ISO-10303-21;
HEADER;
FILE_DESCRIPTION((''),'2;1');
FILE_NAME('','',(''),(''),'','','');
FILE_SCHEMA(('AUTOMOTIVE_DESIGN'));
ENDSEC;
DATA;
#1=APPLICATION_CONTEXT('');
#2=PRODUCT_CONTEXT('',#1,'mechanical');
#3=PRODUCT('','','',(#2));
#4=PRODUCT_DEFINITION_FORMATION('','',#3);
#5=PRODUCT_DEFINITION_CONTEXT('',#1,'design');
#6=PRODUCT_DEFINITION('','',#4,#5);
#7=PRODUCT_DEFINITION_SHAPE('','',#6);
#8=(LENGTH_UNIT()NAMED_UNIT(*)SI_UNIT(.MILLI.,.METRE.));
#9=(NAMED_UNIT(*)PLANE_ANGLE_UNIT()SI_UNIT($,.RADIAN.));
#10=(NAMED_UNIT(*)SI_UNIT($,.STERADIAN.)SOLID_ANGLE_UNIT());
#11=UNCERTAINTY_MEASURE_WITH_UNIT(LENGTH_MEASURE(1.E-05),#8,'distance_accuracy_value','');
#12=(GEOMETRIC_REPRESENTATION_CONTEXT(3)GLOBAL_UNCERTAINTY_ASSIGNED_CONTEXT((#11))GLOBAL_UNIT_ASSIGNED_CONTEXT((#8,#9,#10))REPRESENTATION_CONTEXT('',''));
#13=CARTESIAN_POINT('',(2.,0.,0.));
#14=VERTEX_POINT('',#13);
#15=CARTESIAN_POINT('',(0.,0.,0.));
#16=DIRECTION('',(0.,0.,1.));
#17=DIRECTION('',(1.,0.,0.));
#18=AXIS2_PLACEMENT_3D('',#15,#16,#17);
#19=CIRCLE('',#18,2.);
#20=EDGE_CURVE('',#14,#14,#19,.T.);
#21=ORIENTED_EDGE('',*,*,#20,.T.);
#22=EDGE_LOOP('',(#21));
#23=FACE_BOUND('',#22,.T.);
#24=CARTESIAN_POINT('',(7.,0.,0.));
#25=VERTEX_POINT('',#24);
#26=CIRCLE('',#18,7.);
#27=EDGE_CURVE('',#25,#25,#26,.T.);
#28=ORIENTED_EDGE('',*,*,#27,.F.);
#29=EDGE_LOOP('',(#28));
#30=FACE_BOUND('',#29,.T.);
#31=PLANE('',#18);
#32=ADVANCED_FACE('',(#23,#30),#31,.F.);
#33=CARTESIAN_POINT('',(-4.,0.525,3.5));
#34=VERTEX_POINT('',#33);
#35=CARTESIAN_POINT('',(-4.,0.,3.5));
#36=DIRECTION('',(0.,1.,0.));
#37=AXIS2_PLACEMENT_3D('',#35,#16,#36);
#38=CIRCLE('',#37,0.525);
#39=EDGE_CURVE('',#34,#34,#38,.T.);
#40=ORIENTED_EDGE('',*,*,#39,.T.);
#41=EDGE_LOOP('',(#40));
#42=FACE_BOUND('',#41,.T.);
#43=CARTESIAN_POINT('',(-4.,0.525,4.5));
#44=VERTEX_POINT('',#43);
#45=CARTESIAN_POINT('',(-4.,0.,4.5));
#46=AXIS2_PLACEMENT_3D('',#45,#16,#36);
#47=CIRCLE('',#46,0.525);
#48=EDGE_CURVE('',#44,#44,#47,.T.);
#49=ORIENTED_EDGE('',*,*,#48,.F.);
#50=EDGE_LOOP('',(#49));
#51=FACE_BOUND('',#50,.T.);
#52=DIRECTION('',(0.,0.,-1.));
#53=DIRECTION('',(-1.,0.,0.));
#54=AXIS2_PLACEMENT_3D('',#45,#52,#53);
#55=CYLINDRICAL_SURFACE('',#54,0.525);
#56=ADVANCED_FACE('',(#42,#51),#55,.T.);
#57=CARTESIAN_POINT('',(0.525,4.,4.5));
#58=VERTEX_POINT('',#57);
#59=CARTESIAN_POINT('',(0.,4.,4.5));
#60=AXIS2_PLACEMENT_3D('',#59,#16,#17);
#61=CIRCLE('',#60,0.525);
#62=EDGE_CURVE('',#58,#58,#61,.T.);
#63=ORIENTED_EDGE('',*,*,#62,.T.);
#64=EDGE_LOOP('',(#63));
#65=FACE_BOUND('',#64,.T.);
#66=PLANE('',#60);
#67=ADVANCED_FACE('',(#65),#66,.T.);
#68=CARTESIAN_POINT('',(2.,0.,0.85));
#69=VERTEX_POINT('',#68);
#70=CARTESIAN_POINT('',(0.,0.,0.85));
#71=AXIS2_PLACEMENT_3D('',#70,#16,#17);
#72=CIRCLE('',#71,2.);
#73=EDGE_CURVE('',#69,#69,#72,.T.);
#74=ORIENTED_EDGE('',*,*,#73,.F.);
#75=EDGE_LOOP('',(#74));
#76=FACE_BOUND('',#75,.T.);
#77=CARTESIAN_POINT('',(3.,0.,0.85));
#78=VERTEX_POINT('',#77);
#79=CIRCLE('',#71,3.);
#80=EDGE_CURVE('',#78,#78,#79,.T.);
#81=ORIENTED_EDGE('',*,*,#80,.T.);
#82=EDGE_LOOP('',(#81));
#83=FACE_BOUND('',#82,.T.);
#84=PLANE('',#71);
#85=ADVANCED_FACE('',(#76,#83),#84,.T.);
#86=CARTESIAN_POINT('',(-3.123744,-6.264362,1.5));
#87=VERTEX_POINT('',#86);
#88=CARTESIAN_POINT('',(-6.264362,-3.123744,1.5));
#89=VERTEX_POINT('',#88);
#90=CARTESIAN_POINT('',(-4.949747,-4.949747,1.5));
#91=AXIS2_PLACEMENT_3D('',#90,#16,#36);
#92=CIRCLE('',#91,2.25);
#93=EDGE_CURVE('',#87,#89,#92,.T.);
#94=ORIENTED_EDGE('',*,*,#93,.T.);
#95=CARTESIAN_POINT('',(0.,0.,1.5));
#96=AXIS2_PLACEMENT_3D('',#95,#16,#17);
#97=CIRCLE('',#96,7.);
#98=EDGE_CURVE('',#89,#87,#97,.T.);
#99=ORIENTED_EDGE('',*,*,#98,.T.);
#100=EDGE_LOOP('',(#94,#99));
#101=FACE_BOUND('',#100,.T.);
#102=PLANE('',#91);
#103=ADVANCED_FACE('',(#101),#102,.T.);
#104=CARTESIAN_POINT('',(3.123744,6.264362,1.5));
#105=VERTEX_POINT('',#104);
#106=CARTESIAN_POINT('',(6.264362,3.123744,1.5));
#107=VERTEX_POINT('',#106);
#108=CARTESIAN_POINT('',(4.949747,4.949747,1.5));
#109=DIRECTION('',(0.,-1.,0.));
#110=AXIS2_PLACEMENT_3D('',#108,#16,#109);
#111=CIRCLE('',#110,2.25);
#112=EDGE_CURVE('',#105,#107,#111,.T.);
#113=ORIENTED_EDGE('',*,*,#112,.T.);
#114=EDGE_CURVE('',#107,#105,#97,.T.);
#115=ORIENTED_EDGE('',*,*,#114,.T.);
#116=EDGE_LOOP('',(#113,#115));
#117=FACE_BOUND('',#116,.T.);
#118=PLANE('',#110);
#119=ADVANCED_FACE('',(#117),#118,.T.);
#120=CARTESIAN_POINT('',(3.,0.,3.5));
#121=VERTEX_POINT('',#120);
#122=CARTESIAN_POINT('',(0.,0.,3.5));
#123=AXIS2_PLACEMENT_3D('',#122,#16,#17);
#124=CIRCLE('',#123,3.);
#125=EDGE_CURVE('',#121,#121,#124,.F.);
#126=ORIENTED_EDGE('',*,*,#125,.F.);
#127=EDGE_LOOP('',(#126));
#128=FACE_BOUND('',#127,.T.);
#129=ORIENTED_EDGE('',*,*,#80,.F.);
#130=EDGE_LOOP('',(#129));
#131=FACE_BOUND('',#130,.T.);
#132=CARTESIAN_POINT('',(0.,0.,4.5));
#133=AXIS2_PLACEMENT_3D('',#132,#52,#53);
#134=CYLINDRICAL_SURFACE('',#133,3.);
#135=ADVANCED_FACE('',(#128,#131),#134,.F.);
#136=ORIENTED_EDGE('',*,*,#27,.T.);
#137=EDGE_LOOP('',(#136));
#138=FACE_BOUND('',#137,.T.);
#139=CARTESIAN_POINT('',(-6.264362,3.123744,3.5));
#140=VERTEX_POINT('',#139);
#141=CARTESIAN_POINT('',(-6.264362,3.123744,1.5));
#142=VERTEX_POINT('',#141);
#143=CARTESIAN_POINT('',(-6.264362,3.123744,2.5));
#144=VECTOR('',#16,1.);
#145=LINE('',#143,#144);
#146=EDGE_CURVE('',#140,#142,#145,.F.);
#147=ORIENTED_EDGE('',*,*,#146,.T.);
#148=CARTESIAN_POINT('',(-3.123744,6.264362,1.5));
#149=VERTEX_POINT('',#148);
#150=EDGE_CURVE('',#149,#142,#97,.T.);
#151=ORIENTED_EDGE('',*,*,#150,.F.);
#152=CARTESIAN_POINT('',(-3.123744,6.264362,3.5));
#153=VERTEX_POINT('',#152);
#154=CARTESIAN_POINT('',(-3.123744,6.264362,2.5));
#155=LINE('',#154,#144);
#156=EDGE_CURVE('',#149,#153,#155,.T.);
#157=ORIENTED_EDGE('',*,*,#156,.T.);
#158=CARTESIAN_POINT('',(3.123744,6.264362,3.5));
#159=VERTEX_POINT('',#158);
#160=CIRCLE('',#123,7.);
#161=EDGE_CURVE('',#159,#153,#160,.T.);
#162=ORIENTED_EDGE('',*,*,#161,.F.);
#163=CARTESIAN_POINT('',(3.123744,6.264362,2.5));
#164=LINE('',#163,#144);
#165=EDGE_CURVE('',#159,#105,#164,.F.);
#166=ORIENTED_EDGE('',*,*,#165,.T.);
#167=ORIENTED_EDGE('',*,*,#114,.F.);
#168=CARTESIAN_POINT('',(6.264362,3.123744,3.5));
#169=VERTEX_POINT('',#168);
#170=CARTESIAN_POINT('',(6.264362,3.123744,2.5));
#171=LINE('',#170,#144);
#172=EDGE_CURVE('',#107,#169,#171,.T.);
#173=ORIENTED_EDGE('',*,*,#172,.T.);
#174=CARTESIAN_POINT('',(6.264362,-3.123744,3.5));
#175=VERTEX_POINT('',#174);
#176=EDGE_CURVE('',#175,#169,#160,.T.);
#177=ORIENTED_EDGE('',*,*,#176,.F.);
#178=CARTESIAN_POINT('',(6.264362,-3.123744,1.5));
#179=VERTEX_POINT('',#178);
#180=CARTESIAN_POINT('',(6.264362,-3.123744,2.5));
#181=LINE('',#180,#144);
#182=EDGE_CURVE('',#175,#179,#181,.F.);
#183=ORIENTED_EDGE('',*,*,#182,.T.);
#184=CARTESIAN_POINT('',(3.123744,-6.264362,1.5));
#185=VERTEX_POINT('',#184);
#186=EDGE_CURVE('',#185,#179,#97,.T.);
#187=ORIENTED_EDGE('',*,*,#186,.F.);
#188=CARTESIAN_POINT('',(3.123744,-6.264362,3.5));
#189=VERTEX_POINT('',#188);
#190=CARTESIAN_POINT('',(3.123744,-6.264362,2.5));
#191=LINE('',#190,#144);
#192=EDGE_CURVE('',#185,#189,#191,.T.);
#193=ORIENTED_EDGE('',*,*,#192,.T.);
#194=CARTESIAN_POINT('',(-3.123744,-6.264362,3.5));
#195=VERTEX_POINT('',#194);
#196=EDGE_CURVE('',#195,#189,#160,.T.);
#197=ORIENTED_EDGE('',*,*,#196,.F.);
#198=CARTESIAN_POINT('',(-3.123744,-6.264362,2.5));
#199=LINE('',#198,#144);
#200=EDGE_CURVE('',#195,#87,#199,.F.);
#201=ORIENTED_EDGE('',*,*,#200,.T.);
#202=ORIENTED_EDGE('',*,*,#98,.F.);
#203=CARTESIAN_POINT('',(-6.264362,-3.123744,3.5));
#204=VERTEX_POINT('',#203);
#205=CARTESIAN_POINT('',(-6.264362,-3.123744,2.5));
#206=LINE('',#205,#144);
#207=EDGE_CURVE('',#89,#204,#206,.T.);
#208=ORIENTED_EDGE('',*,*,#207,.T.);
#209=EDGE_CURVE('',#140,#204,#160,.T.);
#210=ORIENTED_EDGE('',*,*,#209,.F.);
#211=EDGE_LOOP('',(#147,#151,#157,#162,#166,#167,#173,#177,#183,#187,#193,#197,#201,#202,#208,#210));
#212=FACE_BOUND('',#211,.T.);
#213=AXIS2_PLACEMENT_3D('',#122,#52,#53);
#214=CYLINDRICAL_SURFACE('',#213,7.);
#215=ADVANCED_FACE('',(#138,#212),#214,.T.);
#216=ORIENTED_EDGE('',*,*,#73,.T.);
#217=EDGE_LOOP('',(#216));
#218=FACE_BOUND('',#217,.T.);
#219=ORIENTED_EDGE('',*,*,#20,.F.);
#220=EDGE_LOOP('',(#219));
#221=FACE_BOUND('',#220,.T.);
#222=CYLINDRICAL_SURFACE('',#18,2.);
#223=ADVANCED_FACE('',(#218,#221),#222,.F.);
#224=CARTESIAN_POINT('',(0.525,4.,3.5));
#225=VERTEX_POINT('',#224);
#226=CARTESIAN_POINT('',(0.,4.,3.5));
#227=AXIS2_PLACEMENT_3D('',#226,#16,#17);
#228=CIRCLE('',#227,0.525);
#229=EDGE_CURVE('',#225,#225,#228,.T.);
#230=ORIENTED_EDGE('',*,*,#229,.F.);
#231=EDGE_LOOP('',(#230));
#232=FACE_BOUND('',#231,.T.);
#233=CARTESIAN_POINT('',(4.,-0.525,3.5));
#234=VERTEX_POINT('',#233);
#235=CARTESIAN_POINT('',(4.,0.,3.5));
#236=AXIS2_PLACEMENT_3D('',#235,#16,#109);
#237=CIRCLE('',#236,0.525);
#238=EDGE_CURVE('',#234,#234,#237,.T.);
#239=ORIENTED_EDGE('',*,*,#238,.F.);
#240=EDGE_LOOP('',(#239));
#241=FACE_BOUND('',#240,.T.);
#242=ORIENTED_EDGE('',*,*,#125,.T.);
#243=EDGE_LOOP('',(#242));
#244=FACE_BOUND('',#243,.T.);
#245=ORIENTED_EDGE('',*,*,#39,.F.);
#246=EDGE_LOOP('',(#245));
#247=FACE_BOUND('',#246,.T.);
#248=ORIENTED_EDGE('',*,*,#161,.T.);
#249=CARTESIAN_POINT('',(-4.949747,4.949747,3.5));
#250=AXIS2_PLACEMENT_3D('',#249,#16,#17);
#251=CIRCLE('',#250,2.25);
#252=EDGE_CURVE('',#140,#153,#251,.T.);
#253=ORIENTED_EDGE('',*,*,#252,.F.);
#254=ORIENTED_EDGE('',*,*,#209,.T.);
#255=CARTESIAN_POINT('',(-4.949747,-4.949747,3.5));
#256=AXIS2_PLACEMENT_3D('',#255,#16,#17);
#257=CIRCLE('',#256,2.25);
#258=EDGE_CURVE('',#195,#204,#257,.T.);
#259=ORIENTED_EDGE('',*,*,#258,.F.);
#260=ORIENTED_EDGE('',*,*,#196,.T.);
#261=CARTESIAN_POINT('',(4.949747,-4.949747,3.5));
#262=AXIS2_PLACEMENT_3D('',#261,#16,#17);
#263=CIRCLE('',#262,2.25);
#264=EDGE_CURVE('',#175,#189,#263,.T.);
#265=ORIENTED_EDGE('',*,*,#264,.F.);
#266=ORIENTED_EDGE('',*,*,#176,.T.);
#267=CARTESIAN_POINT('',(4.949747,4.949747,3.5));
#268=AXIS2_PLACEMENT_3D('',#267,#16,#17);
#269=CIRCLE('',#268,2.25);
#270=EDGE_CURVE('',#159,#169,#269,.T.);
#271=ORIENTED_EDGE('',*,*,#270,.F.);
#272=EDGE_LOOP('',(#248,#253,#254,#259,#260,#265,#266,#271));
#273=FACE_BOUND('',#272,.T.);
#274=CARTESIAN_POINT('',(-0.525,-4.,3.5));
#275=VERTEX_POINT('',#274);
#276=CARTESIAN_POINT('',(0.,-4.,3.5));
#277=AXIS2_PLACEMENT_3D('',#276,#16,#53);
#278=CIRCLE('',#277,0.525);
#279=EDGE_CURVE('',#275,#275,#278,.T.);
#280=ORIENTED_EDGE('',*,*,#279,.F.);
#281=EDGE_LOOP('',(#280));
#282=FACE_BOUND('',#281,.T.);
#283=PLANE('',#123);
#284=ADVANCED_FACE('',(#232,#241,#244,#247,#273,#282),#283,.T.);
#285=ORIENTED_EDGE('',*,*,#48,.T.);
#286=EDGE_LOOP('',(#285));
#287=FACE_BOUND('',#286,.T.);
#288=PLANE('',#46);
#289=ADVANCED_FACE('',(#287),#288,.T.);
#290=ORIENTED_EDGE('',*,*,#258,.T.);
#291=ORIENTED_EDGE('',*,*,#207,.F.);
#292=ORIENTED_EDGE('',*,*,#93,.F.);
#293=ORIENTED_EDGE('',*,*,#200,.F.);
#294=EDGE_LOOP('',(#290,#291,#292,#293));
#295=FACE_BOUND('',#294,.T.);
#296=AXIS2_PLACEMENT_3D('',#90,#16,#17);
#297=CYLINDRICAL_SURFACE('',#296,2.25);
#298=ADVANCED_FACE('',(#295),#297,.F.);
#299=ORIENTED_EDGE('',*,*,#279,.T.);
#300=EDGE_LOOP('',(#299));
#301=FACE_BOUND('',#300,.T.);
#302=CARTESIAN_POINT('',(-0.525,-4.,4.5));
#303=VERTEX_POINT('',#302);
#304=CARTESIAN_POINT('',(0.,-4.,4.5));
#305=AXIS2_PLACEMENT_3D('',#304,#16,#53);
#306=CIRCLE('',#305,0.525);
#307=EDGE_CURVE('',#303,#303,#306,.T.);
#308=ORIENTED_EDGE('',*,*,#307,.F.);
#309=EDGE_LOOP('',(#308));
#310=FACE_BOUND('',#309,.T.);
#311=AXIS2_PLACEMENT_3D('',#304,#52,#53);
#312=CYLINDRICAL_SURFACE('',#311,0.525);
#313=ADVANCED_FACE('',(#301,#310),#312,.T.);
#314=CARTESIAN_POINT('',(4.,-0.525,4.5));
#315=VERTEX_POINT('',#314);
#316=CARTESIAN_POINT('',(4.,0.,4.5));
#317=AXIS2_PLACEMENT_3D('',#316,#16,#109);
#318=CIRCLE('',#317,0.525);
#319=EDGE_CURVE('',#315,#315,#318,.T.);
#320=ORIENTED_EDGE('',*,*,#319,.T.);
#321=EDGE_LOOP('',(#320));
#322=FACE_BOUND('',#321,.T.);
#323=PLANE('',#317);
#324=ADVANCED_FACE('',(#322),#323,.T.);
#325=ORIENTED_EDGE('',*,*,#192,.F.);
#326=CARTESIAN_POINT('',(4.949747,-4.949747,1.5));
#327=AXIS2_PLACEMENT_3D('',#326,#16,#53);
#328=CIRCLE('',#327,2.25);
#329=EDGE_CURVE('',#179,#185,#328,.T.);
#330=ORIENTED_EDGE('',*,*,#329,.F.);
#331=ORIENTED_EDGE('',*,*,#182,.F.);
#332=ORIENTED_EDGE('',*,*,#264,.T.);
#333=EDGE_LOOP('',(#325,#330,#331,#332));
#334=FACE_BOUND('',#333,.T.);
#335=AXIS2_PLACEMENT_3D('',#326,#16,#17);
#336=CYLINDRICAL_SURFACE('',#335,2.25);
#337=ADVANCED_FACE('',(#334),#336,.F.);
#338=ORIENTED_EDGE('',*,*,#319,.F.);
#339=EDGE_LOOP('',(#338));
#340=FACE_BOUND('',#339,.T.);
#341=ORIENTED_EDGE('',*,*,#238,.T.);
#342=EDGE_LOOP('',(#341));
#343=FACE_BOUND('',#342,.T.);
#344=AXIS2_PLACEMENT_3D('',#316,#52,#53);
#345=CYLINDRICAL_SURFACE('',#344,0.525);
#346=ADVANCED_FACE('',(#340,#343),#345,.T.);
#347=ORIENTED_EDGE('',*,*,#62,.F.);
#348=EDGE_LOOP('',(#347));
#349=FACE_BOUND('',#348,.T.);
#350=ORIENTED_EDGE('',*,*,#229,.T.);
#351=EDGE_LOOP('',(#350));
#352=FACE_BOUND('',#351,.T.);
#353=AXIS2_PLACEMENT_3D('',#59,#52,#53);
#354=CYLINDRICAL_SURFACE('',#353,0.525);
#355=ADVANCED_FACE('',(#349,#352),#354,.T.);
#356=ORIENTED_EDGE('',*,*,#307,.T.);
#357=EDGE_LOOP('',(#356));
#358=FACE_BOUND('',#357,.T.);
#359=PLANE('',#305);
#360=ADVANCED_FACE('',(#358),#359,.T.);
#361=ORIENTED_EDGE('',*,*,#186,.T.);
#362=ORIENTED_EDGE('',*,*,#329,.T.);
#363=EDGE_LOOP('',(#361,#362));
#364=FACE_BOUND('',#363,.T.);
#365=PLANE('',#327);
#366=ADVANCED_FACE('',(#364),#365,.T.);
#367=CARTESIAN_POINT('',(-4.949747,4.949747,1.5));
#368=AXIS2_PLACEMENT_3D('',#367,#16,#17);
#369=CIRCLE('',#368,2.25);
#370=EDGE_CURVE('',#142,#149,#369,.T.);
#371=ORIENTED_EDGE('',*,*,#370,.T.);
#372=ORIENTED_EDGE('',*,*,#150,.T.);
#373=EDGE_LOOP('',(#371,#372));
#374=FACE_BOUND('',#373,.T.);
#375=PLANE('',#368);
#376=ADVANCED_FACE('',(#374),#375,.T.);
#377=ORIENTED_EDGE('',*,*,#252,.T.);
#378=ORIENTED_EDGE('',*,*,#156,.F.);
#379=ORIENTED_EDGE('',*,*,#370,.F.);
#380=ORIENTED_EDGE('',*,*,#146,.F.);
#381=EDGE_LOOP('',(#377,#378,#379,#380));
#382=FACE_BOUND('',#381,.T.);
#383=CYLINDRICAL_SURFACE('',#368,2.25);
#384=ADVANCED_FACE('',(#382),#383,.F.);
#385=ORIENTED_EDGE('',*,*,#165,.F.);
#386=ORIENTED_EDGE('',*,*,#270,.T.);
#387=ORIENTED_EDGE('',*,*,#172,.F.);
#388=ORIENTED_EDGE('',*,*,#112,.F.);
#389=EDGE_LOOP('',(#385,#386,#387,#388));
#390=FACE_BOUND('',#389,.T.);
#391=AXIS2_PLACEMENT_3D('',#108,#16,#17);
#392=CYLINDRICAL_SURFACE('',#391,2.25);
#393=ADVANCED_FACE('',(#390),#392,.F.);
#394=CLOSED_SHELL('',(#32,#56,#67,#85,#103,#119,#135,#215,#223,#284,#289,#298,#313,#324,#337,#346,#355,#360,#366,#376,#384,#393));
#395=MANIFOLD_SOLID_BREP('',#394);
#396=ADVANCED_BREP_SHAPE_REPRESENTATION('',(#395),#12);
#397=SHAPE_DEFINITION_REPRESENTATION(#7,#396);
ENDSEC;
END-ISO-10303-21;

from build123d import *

# Parameters (mm, degrees)
SKIZZE1_R                            = 7
AUFSATZ_LINEAR_AUSTRAGEN1_DEPTH      = 3.5
SKIZZE2_R                            = 0.525
AUFSATZ_LINEAR_AUSTRAGEN2_DEPTH      = 1
KREISMUSTER1_COUNT                   = 4
SKIZZE3_R                            = 3
SCHNITT_LINEAR_AUSTRAGEN1_DEPTH      = 2
SCHNITT_LINEAR_AUSTRAGEN1_DEPTH_BACK = 2.65
SKIZZE4_R                            = 2
SCHNITT_LINEAR_AUSTRAGEN2_DEPTH      = 1.85
SKIZZE5_R                            = 2.25
SCHNITT_LINEAR_AUSTRAGEN3_DEPTH      = 2
KREISMUSTER2_COUNT                   = 4


with BuildPart() as part:
    # Skizze1 → Aufsatz-Linear austragen1 (new body)
    with BuildSketch(Plane.XY):
        Circle(SKIZZE1_R)
    extrude(amount=AUFSATZ_LINEAR_AUSTRAGEN1_DEPTH)

    # Skizze2 → Aufsatz-Linear austragen2 (add)
    with BuildSketch(Plane.XY.offset(3.5)):
        with Locations((0, 4)):
            Circle(SKIZZE2_R)
    aufsatz_linear_austragen2 = extrude(amount=AUFSATZ_LINEAR_AUSTRAGEN2_DEPTH)

    # Kreismuster1: Aufsatz-Linear austragen2 ×4 about axis
    kreismuster1_axis = Axis((0, 0, 0), (0, 0, 1))
    for i in range(1, KREISMUSTER1_COUNT):
        add(aufsatz_linear_austragen2.rotate(kreismuster1_axis, i * 360 / KREISMUSTER1_COUNT))

    # Skizze3 → Schnitt-Linear austragen1 (cut, two sides)
    with BuildSketch(Plane.XY.offset(3.5)) as schnitt_linear_austragen1_sk:
        Circle(SKIZZE3_R)
    extrude(amount=SCHNITT_LINEAR_AUSTRAGEN1_DEPTH, mode=Mode.SUBTRACT)
    extrude(schnitt_linear_austragen1_sk.sketch, amount=-SCHNITT_LINEAR_AUSTRAGEN1_DEPTH_BACK, mode=Mode.SUBTRACT)

    # Skizze4 → Schnitt-Linear austragen2 (cut, through all)
    with BuildSketch(Plane.XY.offset(0.85)):
        Circle(SKIZZE4_R)
    extrude(amount=-SCHNITT_LINEAR_AUSTRAGEN2_DEPTH, mode=Mode.SUBTRACT)

    # Skizze5 → Schnitt-Linear austragen3 (cut)
    with BuildSketch(Plane.XY.offset(3.5)):
        with Locations((-4.949747468, 4.949747468)):
            Circle(SKIZZE5_R)
    schnitt_linear_austragen3 = extrude(amount=-SCHNITT_LINEAR_AUSTRAGEN3_DEPTH, mode=Mode.SUBTRACT)

    # Kreismuster2: Schnitt-Linear austragen3 ×4 about axis
    kreismuster2_axis = Axis((0, 0, 0), (0, 0, 1))
    for i in range(1, KREISMUSTER2_COUNT):
        add(schnitt_linear_austragen3.rotate(kreismuster2_axis, i * 360 / KREISMUSTER2_COUNT), mode=Mode.SUBTRACT)


solid = part.part
